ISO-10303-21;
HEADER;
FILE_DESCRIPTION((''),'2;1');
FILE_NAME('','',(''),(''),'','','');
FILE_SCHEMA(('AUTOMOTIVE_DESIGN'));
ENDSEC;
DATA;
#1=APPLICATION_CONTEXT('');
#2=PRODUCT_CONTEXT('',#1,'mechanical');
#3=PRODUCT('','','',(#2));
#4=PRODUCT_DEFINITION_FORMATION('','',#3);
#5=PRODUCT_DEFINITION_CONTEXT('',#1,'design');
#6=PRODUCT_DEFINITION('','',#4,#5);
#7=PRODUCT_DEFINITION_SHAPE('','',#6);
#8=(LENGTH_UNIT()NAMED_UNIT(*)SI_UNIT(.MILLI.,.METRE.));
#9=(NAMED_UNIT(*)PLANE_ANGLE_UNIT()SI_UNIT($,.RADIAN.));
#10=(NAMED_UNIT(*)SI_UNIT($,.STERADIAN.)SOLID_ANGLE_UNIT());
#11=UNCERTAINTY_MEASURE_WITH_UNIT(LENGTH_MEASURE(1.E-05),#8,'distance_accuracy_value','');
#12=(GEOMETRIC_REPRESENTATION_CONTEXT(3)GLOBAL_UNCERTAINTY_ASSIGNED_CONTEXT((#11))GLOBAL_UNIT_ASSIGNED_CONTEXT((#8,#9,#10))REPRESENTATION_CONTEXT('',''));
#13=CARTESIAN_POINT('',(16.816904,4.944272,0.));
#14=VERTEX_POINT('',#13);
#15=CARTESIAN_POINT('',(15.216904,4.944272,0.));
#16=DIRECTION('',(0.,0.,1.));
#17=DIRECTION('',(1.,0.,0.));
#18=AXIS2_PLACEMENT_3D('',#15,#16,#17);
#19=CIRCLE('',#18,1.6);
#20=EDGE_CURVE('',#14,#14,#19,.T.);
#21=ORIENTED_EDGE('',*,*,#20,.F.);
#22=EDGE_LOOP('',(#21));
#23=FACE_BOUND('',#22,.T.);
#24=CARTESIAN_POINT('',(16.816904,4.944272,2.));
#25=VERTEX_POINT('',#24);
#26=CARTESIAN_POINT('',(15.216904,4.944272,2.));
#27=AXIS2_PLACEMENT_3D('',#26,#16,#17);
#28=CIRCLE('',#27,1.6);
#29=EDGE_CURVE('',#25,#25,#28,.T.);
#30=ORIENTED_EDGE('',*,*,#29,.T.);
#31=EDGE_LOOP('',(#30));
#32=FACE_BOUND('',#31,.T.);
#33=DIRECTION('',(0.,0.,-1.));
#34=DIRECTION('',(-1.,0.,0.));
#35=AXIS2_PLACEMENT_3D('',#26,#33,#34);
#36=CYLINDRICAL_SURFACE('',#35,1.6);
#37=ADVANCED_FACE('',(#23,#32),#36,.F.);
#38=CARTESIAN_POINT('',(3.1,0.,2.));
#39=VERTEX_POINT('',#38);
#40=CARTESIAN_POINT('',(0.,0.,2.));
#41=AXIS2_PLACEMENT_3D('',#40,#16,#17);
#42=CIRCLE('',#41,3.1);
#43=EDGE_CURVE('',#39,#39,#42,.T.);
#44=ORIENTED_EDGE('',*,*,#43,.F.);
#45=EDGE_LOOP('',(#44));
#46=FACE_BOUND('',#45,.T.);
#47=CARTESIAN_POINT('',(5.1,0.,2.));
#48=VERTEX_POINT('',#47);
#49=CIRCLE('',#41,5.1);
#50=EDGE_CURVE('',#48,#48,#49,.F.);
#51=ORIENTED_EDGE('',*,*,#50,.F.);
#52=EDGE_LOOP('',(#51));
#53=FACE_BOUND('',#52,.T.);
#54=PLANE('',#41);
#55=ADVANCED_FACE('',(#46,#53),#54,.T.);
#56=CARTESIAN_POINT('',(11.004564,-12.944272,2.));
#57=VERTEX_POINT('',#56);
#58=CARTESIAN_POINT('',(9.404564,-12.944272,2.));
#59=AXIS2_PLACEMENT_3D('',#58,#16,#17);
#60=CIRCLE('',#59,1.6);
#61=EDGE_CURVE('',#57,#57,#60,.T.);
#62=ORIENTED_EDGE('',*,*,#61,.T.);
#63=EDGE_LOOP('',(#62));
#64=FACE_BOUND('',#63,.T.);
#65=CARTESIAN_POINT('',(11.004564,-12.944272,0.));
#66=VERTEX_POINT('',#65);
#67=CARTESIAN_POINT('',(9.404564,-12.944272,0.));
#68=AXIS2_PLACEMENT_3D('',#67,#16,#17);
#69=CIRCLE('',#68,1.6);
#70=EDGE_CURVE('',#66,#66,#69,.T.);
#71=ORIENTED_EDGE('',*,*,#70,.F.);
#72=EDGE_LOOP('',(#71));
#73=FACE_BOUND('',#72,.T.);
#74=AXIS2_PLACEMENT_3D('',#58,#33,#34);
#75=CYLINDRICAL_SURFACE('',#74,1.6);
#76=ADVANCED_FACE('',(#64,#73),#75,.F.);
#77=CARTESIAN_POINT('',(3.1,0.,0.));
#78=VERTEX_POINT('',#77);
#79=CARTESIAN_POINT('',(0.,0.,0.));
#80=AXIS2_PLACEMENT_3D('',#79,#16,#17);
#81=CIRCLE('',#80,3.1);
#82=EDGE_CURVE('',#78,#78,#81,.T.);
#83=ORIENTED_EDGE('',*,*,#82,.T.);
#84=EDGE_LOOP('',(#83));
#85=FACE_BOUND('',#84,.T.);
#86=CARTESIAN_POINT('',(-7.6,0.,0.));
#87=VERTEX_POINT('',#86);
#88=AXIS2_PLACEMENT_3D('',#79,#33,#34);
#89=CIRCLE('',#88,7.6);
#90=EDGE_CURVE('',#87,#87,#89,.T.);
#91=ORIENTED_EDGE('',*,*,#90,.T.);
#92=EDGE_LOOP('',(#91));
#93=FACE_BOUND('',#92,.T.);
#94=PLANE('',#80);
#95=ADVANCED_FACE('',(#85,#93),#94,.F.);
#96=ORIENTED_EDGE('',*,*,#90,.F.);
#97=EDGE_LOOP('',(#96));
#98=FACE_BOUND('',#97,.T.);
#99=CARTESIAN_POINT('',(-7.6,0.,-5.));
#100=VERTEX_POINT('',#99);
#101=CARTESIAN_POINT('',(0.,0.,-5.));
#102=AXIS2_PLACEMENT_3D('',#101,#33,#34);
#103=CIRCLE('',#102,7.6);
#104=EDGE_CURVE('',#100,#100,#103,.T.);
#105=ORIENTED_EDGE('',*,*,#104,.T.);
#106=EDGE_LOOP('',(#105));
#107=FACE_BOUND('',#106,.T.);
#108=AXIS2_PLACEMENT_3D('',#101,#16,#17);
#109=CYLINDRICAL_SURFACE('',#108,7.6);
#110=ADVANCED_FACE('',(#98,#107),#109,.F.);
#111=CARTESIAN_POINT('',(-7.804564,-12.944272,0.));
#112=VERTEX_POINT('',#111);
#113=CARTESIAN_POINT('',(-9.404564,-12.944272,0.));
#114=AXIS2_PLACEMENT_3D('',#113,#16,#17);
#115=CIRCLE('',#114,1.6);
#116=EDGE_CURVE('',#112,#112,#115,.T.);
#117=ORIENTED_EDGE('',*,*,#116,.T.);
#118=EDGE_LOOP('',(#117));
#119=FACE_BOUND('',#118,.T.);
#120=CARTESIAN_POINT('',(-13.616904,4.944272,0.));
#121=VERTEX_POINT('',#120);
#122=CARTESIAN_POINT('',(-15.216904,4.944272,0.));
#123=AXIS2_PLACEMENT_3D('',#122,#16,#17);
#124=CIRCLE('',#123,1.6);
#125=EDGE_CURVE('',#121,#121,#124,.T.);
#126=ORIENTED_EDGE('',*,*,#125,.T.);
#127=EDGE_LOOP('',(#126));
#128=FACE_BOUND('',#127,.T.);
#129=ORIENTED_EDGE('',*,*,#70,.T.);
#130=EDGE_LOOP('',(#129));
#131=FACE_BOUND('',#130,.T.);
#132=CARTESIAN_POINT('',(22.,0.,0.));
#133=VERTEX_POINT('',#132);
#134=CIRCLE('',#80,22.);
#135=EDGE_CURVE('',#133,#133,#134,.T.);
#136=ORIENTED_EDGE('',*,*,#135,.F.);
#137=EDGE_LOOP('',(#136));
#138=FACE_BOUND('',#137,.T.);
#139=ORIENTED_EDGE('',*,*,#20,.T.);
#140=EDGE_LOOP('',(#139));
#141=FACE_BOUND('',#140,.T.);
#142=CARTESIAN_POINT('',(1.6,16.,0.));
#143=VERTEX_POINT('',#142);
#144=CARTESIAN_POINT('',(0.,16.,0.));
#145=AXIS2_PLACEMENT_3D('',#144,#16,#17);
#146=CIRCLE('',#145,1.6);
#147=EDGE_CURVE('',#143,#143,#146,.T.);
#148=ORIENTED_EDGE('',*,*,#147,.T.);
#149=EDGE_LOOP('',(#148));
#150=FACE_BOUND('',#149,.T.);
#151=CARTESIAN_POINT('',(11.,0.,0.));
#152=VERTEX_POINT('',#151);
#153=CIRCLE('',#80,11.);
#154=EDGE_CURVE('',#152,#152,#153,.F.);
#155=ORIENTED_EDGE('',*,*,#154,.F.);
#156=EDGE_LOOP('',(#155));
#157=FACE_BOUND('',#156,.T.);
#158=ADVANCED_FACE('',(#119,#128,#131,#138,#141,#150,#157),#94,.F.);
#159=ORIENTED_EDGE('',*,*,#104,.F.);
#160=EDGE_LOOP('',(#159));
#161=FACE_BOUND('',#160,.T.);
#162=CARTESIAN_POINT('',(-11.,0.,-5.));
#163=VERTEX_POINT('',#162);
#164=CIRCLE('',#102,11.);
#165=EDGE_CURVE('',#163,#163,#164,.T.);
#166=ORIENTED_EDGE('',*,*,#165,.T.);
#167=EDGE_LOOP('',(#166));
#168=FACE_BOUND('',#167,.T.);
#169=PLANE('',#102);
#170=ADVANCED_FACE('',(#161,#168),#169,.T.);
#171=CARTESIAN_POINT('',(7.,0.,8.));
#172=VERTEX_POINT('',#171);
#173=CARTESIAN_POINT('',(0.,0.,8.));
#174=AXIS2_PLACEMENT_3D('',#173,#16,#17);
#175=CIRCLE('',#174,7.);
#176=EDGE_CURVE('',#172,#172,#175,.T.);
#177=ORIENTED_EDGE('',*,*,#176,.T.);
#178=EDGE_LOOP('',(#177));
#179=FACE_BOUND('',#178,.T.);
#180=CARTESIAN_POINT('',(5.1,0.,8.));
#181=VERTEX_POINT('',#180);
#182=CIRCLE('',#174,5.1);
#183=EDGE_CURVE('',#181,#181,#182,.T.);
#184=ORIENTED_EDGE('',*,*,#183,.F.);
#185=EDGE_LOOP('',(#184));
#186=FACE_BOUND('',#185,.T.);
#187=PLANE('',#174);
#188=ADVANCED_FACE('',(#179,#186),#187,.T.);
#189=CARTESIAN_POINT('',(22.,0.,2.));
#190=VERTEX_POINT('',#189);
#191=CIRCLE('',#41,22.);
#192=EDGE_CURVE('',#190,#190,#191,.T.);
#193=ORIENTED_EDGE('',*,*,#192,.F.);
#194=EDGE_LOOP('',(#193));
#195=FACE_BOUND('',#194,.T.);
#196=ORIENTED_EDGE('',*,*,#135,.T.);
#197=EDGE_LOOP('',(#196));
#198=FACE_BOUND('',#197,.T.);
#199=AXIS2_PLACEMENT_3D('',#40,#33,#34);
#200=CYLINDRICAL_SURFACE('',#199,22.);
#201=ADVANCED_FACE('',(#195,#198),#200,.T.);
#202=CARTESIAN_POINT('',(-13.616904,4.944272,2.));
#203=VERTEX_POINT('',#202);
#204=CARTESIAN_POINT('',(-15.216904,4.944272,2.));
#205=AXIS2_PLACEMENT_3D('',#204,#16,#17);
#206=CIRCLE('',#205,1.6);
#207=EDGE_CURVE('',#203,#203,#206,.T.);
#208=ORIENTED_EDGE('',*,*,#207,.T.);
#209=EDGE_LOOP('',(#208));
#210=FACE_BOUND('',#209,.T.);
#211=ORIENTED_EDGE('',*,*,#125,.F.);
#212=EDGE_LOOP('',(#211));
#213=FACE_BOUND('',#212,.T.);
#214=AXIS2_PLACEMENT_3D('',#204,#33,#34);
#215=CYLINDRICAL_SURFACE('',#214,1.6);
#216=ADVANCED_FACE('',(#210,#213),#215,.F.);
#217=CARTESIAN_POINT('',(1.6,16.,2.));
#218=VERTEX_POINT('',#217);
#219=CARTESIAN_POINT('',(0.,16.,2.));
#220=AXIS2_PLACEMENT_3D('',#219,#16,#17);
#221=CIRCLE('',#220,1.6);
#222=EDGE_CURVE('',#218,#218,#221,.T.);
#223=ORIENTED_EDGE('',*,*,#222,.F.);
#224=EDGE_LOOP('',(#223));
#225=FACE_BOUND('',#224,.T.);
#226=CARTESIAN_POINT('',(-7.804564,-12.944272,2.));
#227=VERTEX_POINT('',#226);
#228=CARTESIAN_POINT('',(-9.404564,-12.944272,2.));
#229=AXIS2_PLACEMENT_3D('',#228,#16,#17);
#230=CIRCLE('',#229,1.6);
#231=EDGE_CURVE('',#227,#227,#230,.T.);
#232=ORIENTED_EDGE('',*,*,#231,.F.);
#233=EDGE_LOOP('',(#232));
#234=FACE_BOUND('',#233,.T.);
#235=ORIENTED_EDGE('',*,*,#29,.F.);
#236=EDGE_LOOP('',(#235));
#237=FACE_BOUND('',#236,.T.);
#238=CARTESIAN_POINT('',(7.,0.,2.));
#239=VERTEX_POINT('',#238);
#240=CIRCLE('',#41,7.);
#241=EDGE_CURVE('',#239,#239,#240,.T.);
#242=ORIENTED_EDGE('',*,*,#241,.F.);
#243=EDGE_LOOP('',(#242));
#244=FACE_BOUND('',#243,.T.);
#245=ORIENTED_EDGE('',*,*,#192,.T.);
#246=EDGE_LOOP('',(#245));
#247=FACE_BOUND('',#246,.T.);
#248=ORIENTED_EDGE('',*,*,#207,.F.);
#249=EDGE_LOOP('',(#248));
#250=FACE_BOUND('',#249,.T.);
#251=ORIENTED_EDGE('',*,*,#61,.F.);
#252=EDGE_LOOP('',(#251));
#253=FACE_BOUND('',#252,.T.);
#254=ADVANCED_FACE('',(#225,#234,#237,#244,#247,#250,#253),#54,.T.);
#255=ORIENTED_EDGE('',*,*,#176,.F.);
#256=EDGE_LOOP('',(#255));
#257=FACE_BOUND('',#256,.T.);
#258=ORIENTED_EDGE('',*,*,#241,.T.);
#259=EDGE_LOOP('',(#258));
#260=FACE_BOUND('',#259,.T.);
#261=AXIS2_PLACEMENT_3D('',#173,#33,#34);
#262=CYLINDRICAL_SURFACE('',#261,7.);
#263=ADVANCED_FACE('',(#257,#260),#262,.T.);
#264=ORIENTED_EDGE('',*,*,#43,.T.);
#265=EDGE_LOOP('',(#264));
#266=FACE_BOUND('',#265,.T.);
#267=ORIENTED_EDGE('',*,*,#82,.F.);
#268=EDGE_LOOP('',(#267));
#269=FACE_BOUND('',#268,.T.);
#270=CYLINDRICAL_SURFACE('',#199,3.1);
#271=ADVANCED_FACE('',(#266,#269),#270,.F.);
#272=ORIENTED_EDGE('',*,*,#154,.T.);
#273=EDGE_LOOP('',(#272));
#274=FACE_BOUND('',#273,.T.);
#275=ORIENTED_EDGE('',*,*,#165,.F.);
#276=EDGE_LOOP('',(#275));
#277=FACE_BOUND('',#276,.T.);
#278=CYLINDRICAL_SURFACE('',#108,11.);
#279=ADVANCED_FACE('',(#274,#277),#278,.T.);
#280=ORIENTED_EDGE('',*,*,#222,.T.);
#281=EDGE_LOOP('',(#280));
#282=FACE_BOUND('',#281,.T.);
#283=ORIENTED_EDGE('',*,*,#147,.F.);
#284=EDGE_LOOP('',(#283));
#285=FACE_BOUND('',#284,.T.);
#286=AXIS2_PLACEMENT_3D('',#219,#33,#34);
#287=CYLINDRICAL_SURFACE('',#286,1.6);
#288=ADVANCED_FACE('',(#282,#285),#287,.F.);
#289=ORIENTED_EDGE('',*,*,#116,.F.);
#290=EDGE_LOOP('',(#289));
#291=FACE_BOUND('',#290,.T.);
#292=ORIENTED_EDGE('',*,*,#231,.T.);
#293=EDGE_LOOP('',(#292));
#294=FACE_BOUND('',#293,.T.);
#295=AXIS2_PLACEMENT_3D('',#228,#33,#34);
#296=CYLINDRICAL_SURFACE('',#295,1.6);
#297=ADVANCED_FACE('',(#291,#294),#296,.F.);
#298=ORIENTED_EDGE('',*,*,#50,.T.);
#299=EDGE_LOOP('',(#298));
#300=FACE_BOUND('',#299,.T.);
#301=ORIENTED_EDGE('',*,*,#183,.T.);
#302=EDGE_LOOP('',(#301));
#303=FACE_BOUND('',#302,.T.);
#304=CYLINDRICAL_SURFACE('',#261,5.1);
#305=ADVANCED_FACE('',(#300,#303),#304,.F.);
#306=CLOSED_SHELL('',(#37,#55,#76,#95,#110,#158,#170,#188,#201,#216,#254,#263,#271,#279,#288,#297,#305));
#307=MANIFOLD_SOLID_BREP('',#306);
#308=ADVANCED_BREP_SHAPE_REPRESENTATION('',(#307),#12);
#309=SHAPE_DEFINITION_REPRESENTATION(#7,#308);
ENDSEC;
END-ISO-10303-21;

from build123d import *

# Parameters (mm, degrees)
SKETCH_1_R      = 22
SKETCH_1_R_2    = 3.1
SKETCH_1_R_3    = 1.6
EXTRUDE_1_DEPTH = 2
SKETCH_3_R      = 11
SKETCH_3_R_2    = 7.6
EXTRUDE_2_DEPTH = 5
SKETCH_2_R      = 7
SKETCH_2_R_2    = 5.1
EXTRUDE_3_DEPTH = 6


with BuildPart() as part:
    # 草图1 → 凸台-拉伸1 (new body)
    with BuildSketch(Plane.XY):
        Circle(SKETCH_1_R)
        Circle(SKETCH_1_R_2, mode=Mode.SUBTRACT)
        with Locations((0, 16)):
            Circle(SKETCH_1_R_3, mode=Mode.SUBTRACT)
        with Locations((15.216904261, 4.94427191)):
            Circle(SKETCH_1_R_3, mode=Mode.SUBTRACT)
        with Locations((9.404564037, -12.94427191)):
            Circle(SKETCH_1_R_3, mode=Mode.SUBTRACT)
        with Locations((-9.404564037, -12.94427191)):
            Circle(SKETCH_1_R_3, mode=Mode.SUBTRACT)
        with Locations((-15.216904261, 4.94427191)):
            Circle(SKETCH_1_R_3, mode=Mode.SUBTRACT)
    extrude(amount=EXTRUDE_1_DEPTH)

    # 草图3 → 凸台-拉伸2 (add)
    with BuildSketch(Plane(origin=(0, 0, 0), x_dir=(-1, 0, 0), z_dir=(0, 0, -1))):
        with Locations(Location((0, 0, 0), (0, 0, 180))):
            Circle(SKETCH_3_R)
        Circle(SKETCH_3_R_2, mode=Mode.SUBTRACT)
    extrude(amount=EXTRUDE_2_DEPTH)

    # 草图2 → 凸台-拉伸3 (add)
    with BuildSketch(Plane.XY.offset(2)):
        Circle(SKETCH_2_R)
        Circle(SKETCH_2_R_2, mode=Mode.SUBTRACT)
    extrude(amount=EXTRUDE_3_DEPTH)


solid = part.part
